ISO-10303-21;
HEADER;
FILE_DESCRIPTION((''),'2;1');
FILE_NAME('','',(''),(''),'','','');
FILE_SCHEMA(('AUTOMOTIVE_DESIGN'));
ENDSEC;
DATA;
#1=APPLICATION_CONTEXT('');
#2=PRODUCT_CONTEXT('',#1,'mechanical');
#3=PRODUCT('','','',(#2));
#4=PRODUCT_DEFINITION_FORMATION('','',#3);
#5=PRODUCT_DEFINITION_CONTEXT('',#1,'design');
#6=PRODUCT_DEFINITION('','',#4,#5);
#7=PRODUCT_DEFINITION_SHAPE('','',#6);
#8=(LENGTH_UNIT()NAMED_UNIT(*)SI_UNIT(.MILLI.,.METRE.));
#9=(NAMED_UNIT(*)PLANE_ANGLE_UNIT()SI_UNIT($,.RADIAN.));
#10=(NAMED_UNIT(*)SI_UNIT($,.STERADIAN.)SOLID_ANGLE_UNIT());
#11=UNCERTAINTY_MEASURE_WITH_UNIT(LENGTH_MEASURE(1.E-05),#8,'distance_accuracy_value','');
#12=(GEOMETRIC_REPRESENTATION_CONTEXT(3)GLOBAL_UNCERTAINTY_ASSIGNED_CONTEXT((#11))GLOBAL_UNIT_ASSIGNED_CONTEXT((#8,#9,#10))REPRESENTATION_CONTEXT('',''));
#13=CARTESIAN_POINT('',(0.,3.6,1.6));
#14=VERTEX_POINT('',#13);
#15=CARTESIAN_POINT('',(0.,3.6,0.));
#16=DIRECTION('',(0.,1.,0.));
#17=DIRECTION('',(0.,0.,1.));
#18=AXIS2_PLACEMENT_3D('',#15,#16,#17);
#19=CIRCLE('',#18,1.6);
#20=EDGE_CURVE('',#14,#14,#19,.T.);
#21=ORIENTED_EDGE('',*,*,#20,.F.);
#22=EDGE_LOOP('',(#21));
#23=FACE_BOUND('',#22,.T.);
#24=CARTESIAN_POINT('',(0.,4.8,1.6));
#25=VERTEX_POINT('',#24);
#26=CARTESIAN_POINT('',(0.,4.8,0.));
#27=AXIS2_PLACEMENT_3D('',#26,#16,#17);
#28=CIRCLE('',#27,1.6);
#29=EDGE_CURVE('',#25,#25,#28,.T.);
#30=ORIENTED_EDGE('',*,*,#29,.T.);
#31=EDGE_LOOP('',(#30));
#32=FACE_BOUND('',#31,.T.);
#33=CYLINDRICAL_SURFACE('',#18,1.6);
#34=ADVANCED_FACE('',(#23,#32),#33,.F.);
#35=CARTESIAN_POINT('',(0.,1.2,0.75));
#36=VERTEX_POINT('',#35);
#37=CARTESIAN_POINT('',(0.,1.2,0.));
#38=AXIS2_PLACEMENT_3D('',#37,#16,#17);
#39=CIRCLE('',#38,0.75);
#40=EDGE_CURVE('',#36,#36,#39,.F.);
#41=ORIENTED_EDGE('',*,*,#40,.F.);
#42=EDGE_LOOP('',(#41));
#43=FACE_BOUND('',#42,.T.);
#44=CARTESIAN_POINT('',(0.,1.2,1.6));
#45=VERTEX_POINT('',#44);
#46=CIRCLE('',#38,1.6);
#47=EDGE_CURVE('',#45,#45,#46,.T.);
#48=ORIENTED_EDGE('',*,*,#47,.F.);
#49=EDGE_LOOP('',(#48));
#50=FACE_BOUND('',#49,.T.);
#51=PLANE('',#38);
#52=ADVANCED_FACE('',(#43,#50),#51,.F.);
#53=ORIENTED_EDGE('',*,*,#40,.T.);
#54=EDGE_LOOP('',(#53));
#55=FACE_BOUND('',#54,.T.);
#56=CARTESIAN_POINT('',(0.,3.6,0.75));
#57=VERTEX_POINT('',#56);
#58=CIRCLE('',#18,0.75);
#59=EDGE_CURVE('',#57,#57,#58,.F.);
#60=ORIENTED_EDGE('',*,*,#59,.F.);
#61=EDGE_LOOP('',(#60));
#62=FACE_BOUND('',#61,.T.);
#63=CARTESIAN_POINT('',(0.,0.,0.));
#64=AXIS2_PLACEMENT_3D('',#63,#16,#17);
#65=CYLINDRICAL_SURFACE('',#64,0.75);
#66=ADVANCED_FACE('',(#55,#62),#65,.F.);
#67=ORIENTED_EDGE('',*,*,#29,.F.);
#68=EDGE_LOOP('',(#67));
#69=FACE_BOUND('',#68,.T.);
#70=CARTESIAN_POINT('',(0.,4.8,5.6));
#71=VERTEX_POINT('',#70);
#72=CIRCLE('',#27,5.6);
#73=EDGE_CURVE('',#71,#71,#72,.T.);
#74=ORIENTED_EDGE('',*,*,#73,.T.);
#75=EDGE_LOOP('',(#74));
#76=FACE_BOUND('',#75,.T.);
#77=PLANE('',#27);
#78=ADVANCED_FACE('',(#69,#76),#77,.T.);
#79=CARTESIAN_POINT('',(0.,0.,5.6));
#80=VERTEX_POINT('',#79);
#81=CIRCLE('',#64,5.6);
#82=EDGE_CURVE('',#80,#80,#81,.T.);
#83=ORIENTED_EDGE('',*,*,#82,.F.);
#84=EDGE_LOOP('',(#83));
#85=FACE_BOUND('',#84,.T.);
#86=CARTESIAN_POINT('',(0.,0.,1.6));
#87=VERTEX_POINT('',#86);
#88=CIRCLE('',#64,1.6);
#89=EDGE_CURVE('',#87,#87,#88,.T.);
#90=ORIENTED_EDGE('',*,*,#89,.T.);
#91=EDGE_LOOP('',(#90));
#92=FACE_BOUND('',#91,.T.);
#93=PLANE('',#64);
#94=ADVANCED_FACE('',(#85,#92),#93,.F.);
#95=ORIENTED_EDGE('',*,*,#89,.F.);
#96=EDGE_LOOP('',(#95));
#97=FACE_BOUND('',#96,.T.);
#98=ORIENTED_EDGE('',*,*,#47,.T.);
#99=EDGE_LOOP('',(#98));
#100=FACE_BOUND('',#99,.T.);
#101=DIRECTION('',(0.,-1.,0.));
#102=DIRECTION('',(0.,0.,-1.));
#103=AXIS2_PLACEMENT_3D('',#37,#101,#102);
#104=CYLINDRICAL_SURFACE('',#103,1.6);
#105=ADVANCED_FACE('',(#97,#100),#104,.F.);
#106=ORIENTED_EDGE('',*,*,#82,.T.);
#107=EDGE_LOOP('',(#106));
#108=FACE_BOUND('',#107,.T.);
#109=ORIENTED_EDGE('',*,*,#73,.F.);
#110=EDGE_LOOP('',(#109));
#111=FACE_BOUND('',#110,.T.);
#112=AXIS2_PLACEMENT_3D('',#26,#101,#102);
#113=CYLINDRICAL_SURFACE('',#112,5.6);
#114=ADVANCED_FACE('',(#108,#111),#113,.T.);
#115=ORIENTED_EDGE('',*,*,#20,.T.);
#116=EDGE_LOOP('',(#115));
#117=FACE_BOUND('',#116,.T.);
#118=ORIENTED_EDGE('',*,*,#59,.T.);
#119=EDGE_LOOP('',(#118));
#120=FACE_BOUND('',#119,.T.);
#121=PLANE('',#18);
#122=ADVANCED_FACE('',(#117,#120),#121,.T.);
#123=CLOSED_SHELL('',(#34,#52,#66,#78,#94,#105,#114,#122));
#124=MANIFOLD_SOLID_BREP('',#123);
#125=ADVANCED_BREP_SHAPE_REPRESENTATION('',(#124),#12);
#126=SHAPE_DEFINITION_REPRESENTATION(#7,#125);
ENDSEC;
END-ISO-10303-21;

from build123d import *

# Parameters (mm, degrees)
SKETCH_1_R          = 5.6
EXTRUDE_1_DEPTH     = 4.8
SKETCH_2_R          = 0.75
CUT_EXTRUDE_1_DEPTH = 10.260669522
SKETCH_2_3_R        = 1.6
CUT_EXTRUDE_2_DEPTH = 1.2
CUT_EXTRUDE_START   = -3.6
SKETCH_2_4_R        = 1.6
CUT_EXTRUDE_3_DEPTH = 1.2


with BuildPart() as part:
    # 草图1 → 凸台-拉伸1 (new body)
    with BuildSketch(Plane(origin=(0, 0, 0), x_dir=(1, 0, 0), z_dir=(0, 1, 0))):
        with Locations(Location((0, 0, 0), (0, 0, 270))):
            Circle(SKETCH_1_R)
    extrude(amount=EXTRUDE_1_DEPTH)

    # 草图2 → 切除-拉伸1 (cut, through all)
    with BuildSketch(Plane(origin=(0, 4.8, 0), x_dir=(1, 0, 0), z_dir=(0, 1, 0))):
        with Locations(Location((0, 0, 0), (0, 0, 270))):
            Circle(SKETCH_2_R)
    extrude(amount=-CUT_EXTRUDE_1_DEPTH, mode=Mode.SUBTRACT)

    # 草图2<3> → 切除-拉伸2 (cut)
    with BuildSketch(Plane(origin=(0, 4.8, 0), x_dir=(1, 0, 0), z_dir=(0, 1, 0))):
        with Locations(Location((0, 0, 0), (0, 0, 270))):
            Circle(SKETCH_2_3_R)
    extrude(amount=-CUT_EXTRUDE_2_DEPTH, mode=Mode.SUBTRACT)

    # 草图2<4> → 切除-拉伸3 (cut)
    with BuildSketch(Plane(origin=(0, 4.8, 0), x_dir=(1, 0, 0), z_dir=(0, 1, 0)).offset(CUT_EXTRUDE_START)):
        with Locations(Location((0, 0, 0), (0, 0, 270))):
            Circle(SKETCH_2_4_R)
    extrude(amount=-CUT_EXTRUDE_3_DEPTH, mode=Mode.SUBTRACT)


solid = part.part
